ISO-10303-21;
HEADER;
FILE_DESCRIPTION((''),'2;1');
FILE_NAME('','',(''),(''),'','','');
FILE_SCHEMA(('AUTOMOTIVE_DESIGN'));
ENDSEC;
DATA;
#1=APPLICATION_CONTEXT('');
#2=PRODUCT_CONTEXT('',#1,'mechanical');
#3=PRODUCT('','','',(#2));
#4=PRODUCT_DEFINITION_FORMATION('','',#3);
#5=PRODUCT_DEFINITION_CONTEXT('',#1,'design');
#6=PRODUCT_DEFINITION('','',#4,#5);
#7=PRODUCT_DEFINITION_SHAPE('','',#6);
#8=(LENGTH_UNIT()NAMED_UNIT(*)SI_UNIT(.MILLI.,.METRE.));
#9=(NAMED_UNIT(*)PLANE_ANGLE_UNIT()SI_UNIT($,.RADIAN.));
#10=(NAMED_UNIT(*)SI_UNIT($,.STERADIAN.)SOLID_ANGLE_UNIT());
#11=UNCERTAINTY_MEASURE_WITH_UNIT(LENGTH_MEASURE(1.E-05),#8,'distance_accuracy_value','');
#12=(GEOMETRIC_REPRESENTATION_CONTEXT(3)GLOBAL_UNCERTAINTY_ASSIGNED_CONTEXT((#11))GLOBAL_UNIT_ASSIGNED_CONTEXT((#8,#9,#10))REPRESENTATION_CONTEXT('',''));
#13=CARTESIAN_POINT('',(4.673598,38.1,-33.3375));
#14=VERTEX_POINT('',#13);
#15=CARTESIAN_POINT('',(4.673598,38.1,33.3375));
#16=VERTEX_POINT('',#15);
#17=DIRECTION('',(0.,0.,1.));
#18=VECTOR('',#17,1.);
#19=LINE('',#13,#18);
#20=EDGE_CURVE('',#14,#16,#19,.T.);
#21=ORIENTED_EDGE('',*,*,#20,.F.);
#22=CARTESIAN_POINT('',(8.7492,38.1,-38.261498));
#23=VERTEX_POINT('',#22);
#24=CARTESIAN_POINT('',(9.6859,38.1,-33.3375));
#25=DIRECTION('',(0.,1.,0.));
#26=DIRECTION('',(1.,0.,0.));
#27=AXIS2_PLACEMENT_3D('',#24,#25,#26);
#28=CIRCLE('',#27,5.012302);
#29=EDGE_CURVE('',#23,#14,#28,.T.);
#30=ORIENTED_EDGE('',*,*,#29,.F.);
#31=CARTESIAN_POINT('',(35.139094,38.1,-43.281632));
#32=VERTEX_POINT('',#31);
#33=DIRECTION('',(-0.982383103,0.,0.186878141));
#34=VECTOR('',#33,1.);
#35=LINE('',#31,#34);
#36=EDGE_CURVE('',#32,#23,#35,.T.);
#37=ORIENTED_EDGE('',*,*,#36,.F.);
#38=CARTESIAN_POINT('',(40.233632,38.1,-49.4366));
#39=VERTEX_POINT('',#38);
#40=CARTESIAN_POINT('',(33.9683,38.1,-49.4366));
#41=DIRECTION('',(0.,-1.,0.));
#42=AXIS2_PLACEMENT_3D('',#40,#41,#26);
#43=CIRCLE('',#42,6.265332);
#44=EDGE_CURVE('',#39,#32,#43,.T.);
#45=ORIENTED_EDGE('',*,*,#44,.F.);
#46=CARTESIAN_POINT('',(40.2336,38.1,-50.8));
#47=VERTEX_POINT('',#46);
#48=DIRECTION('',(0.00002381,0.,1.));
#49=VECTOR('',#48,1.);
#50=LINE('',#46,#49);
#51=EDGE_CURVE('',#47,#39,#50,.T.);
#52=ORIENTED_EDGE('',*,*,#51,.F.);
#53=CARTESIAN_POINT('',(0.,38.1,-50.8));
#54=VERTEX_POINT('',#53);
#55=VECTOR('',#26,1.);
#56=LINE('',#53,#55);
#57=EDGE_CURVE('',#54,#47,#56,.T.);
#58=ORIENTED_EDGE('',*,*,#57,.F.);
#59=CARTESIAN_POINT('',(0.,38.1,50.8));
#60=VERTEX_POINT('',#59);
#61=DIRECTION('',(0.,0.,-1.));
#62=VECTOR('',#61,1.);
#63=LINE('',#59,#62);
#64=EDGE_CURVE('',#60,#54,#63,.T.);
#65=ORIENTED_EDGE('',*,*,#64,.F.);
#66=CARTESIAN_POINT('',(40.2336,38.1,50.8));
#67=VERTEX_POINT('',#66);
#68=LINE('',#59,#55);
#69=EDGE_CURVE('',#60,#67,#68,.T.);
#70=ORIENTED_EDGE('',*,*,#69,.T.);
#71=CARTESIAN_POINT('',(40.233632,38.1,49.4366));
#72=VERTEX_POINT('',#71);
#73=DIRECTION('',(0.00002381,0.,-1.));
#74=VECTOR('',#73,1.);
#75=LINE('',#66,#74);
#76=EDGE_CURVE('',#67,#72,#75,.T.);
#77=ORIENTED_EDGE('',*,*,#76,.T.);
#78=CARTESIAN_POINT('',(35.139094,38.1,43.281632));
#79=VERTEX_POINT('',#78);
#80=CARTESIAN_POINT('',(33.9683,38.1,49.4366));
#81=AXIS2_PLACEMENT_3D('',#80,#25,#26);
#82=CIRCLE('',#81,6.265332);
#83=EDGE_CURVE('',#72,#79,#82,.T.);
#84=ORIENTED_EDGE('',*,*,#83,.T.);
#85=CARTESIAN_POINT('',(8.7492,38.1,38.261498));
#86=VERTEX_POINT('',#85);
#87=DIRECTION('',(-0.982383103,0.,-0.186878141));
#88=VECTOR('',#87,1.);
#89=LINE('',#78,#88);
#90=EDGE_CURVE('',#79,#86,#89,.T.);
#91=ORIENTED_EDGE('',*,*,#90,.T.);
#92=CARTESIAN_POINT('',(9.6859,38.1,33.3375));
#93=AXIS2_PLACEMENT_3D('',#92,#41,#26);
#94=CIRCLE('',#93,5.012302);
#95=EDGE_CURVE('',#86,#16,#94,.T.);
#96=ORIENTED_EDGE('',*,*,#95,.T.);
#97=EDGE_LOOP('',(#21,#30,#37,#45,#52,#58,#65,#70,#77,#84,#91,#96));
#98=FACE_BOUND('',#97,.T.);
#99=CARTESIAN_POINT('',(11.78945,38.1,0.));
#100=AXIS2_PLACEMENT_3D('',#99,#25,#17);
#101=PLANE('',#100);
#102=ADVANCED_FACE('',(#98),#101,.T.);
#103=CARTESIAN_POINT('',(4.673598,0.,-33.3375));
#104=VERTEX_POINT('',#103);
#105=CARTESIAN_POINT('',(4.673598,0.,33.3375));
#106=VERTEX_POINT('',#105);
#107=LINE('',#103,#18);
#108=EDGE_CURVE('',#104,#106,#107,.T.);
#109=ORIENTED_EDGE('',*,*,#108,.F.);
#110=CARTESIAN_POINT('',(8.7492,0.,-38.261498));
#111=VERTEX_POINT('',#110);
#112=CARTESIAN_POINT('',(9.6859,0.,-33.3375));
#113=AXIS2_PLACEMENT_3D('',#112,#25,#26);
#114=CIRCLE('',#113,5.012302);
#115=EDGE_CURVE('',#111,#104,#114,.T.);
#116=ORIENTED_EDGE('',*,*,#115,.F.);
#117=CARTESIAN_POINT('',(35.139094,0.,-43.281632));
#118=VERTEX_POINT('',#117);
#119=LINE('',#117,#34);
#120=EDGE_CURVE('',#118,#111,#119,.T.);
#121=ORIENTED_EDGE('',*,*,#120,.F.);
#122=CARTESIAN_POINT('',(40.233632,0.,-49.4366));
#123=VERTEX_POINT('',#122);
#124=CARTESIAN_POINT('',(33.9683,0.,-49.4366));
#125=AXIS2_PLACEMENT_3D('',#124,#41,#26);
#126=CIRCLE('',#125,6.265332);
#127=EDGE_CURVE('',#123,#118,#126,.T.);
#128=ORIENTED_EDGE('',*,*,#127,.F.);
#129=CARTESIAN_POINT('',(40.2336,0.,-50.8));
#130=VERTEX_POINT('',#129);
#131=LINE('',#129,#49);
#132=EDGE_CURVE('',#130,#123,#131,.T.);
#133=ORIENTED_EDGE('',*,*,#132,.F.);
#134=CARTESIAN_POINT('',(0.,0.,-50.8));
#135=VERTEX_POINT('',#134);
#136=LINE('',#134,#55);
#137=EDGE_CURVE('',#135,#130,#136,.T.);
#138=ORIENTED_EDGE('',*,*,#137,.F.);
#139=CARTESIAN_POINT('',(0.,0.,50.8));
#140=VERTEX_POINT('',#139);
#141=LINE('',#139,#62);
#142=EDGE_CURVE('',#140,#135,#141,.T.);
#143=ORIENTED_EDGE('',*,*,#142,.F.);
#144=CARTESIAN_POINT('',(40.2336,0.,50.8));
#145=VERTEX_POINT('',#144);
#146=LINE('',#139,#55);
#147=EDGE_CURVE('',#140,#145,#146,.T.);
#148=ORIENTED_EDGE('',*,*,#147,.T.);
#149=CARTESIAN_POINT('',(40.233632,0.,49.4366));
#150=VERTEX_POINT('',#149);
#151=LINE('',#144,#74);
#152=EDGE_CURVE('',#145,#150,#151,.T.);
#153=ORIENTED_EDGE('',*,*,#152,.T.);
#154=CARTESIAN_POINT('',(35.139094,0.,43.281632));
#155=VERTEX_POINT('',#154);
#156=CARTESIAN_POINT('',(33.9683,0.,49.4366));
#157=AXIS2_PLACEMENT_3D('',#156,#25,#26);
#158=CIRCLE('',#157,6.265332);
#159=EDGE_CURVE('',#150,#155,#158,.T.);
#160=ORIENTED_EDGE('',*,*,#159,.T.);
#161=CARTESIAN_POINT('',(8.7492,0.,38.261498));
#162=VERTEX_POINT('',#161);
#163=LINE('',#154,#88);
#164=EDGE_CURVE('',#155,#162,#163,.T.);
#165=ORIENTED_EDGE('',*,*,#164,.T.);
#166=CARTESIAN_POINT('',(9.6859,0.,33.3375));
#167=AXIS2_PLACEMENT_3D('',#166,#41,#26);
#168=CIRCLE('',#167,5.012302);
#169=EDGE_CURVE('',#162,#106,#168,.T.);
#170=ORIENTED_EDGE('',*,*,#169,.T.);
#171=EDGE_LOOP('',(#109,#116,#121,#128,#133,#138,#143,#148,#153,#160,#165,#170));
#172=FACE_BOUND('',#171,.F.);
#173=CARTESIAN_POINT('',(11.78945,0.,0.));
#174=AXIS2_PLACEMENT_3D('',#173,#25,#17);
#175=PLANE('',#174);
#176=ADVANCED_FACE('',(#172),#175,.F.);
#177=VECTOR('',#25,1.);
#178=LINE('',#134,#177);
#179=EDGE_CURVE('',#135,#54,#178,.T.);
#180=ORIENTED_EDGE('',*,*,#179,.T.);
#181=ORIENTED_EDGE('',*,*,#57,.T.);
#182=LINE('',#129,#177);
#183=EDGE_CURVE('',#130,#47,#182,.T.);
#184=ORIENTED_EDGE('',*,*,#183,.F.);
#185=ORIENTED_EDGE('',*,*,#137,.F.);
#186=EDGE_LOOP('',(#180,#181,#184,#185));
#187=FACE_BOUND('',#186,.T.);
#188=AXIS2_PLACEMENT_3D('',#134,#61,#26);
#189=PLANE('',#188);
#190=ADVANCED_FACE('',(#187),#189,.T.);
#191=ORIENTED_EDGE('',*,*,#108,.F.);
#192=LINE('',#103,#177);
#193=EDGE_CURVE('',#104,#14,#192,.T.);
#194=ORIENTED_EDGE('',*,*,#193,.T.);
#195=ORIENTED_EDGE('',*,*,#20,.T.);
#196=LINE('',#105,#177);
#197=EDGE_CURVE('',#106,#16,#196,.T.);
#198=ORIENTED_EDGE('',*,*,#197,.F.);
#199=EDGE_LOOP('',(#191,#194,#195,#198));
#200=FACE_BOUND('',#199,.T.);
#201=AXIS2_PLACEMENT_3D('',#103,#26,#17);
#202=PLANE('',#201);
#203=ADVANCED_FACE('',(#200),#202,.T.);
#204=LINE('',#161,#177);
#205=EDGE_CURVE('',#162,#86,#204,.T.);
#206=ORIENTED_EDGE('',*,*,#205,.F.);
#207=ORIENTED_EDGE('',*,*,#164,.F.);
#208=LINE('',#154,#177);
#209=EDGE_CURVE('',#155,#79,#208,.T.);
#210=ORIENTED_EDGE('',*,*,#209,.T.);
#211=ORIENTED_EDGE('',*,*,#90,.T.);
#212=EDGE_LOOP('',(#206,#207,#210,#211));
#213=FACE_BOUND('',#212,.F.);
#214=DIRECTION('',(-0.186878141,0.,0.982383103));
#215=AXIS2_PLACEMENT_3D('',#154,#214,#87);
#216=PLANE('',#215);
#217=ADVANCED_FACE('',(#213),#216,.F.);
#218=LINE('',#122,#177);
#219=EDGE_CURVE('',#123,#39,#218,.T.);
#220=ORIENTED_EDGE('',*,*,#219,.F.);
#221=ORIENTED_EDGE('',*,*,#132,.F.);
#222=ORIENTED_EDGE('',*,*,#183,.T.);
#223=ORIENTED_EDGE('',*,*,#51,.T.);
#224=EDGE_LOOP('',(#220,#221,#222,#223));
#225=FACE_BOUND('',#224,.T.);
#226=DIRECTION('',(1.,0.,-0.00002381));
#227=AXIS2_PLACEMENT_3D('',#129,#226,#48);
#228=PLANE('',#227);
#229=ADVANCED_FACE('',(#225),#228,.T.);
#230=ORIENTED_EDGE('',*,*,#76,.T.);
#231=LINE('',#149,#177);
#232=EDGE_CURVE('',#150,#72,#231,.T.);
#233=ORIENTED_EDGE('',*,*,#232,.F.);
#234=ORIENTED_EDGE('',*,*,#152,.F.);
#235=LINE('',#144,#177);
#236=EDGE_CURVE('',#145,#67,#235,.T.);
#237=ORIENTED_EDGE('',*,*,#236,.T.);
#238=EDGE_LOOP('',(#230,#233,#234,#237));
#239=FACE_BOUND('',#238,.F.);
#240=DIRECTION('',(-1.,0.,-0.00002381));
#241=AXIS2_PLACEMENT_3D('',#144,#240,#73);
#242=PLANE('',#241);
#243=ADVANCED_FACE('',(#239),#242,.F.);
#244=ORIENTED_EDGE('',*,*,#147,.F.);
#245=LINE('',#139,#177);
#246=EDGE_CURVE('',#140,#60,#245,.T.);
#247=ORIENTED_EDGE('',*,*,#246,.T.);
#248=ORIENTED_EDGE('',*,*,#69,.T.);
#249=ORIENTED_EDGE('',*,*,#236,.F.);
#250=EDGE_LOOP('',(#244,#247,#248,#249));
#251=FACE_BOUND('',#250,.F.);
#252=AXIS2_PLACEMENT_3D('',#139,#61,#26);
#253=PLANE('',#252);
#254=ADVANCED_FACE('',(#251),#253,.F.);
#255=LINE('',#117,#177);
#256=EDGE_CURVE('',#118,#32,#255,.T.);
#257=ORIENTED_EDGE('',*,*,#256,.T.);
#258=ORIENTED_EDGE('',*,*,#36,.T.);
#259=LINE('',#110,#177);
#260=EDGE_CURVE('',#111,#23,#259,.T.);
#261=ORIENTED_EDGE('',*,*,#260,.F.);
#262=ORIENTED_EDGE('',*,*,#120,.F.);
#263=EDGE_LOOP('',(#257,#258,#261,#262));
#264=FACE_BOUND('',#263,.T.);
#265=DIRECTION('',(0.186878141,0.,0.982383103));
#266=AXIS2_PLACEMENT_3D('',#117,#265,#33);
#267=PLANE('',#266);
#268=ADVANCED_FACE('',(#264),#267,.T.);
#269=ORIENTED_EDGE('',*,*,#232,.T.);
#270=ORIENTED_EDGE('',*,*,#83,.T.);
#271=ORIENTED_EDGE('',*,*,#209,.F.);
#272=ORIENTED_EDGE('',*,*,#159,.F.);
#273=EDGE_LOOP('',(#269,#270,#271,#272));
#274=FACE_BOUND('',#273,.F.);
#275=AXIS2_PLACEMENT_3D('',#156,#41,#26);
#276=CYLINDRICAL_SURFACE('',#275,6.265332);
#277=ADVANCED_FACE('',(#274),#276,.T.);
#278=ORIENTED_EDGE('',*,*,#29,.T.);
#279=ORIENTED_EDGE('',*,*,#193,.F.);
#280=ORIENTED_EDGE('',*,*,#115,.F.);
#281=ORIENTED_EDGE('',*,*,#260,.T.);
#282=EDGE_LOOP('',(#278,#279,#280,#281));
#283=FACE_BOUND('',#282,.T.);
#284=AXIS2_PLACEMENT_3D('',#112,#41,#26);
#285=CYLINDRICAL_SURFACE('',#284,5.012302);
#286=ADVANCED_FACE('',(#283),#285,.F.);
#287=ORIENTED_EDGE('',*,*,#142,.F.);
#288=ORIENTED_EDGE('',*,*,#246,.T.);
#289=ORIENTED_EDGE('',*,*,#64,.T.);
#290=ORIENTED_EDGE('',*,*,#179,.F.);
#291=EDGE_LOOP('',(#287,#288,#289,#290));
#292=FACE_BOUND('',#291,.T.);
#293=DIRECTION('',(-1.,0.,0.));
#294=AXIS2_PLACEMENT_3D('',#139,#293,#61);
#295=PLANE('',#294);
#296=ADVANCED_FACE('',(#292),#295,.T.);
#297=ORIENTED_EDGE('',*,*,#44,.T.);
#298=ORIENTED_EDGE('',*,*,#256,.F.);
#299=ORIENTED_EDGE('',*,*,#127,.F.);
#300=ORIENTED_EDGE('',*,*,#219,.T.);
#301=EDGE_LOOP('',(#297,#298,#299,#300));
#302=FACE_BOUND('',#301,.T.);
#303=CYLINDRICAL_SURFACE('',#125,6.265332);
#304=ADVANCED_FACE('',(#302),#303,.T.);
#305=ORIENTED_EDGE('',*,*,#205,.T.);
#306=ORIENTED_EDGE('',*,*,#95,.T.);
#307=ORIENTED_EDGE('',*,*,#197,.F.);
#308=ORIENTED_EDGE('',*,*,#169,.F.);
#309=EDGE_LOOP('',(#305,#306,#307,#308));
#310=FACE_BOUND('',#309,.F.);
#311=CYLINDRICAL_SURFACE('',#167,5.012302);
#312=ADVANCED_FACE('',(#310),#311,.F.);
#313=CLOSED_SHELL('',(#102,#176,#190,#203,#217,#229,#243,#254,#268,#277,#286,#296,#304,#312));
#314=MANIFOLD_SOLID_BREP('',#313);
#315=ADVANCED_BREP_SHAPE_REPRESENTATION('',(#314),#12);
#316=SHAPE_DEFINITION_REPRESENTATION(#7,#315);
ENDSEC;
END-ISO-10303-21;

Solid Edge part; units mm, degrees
sketch "Sketch1" plane through (0, 0, 0) normal (0, -1, 0) x (1, 0, 0)
  line L0 (0, 50.8) -> (40.2336, 50.8)
  line L1 (40.2336, 50.8) -> (40.2336, 49.4366)
  arc A0 (40.2336, 49.4366) -> (35.1391, 43.2816) centre (33.9683, 49.4366) cw
  line L2 (35.1391, 43.2816) -> (8.7492, 38.2615)
  arc A1 (8.7492, 38.2615) -> (4.6736, 33.3375) centre (9.6859, 33.3375) ccw
  line L3 (4.6736, -33.3375) -> (4.6736, 33.3375)
  arc A2 (8.7492, -38.2615) -> (4.6736, -33.3375) centre (9.6859, -33.3375) cw
  line L4 (35.1391, -43.2816) -> (8.7492, -38.2615)
  arc A3 (40.2336, -49.4366) -> (35.1391, -43.2816) centre (33.9683, -49.4366) ccw
  line L5 (40.2336, -50.8) -> (40.2336, -49.4366)
  line L6 (0, -50.8) -> (40.2336, -50.8)
  line L7 (0, 50.8) -> (0, -50.8)
  dimension "D1" = 101.6
  dimension "D2" = 40.2336
extrude "Protrusion1" add sketch "Sketch1" against normal blind 38.1
